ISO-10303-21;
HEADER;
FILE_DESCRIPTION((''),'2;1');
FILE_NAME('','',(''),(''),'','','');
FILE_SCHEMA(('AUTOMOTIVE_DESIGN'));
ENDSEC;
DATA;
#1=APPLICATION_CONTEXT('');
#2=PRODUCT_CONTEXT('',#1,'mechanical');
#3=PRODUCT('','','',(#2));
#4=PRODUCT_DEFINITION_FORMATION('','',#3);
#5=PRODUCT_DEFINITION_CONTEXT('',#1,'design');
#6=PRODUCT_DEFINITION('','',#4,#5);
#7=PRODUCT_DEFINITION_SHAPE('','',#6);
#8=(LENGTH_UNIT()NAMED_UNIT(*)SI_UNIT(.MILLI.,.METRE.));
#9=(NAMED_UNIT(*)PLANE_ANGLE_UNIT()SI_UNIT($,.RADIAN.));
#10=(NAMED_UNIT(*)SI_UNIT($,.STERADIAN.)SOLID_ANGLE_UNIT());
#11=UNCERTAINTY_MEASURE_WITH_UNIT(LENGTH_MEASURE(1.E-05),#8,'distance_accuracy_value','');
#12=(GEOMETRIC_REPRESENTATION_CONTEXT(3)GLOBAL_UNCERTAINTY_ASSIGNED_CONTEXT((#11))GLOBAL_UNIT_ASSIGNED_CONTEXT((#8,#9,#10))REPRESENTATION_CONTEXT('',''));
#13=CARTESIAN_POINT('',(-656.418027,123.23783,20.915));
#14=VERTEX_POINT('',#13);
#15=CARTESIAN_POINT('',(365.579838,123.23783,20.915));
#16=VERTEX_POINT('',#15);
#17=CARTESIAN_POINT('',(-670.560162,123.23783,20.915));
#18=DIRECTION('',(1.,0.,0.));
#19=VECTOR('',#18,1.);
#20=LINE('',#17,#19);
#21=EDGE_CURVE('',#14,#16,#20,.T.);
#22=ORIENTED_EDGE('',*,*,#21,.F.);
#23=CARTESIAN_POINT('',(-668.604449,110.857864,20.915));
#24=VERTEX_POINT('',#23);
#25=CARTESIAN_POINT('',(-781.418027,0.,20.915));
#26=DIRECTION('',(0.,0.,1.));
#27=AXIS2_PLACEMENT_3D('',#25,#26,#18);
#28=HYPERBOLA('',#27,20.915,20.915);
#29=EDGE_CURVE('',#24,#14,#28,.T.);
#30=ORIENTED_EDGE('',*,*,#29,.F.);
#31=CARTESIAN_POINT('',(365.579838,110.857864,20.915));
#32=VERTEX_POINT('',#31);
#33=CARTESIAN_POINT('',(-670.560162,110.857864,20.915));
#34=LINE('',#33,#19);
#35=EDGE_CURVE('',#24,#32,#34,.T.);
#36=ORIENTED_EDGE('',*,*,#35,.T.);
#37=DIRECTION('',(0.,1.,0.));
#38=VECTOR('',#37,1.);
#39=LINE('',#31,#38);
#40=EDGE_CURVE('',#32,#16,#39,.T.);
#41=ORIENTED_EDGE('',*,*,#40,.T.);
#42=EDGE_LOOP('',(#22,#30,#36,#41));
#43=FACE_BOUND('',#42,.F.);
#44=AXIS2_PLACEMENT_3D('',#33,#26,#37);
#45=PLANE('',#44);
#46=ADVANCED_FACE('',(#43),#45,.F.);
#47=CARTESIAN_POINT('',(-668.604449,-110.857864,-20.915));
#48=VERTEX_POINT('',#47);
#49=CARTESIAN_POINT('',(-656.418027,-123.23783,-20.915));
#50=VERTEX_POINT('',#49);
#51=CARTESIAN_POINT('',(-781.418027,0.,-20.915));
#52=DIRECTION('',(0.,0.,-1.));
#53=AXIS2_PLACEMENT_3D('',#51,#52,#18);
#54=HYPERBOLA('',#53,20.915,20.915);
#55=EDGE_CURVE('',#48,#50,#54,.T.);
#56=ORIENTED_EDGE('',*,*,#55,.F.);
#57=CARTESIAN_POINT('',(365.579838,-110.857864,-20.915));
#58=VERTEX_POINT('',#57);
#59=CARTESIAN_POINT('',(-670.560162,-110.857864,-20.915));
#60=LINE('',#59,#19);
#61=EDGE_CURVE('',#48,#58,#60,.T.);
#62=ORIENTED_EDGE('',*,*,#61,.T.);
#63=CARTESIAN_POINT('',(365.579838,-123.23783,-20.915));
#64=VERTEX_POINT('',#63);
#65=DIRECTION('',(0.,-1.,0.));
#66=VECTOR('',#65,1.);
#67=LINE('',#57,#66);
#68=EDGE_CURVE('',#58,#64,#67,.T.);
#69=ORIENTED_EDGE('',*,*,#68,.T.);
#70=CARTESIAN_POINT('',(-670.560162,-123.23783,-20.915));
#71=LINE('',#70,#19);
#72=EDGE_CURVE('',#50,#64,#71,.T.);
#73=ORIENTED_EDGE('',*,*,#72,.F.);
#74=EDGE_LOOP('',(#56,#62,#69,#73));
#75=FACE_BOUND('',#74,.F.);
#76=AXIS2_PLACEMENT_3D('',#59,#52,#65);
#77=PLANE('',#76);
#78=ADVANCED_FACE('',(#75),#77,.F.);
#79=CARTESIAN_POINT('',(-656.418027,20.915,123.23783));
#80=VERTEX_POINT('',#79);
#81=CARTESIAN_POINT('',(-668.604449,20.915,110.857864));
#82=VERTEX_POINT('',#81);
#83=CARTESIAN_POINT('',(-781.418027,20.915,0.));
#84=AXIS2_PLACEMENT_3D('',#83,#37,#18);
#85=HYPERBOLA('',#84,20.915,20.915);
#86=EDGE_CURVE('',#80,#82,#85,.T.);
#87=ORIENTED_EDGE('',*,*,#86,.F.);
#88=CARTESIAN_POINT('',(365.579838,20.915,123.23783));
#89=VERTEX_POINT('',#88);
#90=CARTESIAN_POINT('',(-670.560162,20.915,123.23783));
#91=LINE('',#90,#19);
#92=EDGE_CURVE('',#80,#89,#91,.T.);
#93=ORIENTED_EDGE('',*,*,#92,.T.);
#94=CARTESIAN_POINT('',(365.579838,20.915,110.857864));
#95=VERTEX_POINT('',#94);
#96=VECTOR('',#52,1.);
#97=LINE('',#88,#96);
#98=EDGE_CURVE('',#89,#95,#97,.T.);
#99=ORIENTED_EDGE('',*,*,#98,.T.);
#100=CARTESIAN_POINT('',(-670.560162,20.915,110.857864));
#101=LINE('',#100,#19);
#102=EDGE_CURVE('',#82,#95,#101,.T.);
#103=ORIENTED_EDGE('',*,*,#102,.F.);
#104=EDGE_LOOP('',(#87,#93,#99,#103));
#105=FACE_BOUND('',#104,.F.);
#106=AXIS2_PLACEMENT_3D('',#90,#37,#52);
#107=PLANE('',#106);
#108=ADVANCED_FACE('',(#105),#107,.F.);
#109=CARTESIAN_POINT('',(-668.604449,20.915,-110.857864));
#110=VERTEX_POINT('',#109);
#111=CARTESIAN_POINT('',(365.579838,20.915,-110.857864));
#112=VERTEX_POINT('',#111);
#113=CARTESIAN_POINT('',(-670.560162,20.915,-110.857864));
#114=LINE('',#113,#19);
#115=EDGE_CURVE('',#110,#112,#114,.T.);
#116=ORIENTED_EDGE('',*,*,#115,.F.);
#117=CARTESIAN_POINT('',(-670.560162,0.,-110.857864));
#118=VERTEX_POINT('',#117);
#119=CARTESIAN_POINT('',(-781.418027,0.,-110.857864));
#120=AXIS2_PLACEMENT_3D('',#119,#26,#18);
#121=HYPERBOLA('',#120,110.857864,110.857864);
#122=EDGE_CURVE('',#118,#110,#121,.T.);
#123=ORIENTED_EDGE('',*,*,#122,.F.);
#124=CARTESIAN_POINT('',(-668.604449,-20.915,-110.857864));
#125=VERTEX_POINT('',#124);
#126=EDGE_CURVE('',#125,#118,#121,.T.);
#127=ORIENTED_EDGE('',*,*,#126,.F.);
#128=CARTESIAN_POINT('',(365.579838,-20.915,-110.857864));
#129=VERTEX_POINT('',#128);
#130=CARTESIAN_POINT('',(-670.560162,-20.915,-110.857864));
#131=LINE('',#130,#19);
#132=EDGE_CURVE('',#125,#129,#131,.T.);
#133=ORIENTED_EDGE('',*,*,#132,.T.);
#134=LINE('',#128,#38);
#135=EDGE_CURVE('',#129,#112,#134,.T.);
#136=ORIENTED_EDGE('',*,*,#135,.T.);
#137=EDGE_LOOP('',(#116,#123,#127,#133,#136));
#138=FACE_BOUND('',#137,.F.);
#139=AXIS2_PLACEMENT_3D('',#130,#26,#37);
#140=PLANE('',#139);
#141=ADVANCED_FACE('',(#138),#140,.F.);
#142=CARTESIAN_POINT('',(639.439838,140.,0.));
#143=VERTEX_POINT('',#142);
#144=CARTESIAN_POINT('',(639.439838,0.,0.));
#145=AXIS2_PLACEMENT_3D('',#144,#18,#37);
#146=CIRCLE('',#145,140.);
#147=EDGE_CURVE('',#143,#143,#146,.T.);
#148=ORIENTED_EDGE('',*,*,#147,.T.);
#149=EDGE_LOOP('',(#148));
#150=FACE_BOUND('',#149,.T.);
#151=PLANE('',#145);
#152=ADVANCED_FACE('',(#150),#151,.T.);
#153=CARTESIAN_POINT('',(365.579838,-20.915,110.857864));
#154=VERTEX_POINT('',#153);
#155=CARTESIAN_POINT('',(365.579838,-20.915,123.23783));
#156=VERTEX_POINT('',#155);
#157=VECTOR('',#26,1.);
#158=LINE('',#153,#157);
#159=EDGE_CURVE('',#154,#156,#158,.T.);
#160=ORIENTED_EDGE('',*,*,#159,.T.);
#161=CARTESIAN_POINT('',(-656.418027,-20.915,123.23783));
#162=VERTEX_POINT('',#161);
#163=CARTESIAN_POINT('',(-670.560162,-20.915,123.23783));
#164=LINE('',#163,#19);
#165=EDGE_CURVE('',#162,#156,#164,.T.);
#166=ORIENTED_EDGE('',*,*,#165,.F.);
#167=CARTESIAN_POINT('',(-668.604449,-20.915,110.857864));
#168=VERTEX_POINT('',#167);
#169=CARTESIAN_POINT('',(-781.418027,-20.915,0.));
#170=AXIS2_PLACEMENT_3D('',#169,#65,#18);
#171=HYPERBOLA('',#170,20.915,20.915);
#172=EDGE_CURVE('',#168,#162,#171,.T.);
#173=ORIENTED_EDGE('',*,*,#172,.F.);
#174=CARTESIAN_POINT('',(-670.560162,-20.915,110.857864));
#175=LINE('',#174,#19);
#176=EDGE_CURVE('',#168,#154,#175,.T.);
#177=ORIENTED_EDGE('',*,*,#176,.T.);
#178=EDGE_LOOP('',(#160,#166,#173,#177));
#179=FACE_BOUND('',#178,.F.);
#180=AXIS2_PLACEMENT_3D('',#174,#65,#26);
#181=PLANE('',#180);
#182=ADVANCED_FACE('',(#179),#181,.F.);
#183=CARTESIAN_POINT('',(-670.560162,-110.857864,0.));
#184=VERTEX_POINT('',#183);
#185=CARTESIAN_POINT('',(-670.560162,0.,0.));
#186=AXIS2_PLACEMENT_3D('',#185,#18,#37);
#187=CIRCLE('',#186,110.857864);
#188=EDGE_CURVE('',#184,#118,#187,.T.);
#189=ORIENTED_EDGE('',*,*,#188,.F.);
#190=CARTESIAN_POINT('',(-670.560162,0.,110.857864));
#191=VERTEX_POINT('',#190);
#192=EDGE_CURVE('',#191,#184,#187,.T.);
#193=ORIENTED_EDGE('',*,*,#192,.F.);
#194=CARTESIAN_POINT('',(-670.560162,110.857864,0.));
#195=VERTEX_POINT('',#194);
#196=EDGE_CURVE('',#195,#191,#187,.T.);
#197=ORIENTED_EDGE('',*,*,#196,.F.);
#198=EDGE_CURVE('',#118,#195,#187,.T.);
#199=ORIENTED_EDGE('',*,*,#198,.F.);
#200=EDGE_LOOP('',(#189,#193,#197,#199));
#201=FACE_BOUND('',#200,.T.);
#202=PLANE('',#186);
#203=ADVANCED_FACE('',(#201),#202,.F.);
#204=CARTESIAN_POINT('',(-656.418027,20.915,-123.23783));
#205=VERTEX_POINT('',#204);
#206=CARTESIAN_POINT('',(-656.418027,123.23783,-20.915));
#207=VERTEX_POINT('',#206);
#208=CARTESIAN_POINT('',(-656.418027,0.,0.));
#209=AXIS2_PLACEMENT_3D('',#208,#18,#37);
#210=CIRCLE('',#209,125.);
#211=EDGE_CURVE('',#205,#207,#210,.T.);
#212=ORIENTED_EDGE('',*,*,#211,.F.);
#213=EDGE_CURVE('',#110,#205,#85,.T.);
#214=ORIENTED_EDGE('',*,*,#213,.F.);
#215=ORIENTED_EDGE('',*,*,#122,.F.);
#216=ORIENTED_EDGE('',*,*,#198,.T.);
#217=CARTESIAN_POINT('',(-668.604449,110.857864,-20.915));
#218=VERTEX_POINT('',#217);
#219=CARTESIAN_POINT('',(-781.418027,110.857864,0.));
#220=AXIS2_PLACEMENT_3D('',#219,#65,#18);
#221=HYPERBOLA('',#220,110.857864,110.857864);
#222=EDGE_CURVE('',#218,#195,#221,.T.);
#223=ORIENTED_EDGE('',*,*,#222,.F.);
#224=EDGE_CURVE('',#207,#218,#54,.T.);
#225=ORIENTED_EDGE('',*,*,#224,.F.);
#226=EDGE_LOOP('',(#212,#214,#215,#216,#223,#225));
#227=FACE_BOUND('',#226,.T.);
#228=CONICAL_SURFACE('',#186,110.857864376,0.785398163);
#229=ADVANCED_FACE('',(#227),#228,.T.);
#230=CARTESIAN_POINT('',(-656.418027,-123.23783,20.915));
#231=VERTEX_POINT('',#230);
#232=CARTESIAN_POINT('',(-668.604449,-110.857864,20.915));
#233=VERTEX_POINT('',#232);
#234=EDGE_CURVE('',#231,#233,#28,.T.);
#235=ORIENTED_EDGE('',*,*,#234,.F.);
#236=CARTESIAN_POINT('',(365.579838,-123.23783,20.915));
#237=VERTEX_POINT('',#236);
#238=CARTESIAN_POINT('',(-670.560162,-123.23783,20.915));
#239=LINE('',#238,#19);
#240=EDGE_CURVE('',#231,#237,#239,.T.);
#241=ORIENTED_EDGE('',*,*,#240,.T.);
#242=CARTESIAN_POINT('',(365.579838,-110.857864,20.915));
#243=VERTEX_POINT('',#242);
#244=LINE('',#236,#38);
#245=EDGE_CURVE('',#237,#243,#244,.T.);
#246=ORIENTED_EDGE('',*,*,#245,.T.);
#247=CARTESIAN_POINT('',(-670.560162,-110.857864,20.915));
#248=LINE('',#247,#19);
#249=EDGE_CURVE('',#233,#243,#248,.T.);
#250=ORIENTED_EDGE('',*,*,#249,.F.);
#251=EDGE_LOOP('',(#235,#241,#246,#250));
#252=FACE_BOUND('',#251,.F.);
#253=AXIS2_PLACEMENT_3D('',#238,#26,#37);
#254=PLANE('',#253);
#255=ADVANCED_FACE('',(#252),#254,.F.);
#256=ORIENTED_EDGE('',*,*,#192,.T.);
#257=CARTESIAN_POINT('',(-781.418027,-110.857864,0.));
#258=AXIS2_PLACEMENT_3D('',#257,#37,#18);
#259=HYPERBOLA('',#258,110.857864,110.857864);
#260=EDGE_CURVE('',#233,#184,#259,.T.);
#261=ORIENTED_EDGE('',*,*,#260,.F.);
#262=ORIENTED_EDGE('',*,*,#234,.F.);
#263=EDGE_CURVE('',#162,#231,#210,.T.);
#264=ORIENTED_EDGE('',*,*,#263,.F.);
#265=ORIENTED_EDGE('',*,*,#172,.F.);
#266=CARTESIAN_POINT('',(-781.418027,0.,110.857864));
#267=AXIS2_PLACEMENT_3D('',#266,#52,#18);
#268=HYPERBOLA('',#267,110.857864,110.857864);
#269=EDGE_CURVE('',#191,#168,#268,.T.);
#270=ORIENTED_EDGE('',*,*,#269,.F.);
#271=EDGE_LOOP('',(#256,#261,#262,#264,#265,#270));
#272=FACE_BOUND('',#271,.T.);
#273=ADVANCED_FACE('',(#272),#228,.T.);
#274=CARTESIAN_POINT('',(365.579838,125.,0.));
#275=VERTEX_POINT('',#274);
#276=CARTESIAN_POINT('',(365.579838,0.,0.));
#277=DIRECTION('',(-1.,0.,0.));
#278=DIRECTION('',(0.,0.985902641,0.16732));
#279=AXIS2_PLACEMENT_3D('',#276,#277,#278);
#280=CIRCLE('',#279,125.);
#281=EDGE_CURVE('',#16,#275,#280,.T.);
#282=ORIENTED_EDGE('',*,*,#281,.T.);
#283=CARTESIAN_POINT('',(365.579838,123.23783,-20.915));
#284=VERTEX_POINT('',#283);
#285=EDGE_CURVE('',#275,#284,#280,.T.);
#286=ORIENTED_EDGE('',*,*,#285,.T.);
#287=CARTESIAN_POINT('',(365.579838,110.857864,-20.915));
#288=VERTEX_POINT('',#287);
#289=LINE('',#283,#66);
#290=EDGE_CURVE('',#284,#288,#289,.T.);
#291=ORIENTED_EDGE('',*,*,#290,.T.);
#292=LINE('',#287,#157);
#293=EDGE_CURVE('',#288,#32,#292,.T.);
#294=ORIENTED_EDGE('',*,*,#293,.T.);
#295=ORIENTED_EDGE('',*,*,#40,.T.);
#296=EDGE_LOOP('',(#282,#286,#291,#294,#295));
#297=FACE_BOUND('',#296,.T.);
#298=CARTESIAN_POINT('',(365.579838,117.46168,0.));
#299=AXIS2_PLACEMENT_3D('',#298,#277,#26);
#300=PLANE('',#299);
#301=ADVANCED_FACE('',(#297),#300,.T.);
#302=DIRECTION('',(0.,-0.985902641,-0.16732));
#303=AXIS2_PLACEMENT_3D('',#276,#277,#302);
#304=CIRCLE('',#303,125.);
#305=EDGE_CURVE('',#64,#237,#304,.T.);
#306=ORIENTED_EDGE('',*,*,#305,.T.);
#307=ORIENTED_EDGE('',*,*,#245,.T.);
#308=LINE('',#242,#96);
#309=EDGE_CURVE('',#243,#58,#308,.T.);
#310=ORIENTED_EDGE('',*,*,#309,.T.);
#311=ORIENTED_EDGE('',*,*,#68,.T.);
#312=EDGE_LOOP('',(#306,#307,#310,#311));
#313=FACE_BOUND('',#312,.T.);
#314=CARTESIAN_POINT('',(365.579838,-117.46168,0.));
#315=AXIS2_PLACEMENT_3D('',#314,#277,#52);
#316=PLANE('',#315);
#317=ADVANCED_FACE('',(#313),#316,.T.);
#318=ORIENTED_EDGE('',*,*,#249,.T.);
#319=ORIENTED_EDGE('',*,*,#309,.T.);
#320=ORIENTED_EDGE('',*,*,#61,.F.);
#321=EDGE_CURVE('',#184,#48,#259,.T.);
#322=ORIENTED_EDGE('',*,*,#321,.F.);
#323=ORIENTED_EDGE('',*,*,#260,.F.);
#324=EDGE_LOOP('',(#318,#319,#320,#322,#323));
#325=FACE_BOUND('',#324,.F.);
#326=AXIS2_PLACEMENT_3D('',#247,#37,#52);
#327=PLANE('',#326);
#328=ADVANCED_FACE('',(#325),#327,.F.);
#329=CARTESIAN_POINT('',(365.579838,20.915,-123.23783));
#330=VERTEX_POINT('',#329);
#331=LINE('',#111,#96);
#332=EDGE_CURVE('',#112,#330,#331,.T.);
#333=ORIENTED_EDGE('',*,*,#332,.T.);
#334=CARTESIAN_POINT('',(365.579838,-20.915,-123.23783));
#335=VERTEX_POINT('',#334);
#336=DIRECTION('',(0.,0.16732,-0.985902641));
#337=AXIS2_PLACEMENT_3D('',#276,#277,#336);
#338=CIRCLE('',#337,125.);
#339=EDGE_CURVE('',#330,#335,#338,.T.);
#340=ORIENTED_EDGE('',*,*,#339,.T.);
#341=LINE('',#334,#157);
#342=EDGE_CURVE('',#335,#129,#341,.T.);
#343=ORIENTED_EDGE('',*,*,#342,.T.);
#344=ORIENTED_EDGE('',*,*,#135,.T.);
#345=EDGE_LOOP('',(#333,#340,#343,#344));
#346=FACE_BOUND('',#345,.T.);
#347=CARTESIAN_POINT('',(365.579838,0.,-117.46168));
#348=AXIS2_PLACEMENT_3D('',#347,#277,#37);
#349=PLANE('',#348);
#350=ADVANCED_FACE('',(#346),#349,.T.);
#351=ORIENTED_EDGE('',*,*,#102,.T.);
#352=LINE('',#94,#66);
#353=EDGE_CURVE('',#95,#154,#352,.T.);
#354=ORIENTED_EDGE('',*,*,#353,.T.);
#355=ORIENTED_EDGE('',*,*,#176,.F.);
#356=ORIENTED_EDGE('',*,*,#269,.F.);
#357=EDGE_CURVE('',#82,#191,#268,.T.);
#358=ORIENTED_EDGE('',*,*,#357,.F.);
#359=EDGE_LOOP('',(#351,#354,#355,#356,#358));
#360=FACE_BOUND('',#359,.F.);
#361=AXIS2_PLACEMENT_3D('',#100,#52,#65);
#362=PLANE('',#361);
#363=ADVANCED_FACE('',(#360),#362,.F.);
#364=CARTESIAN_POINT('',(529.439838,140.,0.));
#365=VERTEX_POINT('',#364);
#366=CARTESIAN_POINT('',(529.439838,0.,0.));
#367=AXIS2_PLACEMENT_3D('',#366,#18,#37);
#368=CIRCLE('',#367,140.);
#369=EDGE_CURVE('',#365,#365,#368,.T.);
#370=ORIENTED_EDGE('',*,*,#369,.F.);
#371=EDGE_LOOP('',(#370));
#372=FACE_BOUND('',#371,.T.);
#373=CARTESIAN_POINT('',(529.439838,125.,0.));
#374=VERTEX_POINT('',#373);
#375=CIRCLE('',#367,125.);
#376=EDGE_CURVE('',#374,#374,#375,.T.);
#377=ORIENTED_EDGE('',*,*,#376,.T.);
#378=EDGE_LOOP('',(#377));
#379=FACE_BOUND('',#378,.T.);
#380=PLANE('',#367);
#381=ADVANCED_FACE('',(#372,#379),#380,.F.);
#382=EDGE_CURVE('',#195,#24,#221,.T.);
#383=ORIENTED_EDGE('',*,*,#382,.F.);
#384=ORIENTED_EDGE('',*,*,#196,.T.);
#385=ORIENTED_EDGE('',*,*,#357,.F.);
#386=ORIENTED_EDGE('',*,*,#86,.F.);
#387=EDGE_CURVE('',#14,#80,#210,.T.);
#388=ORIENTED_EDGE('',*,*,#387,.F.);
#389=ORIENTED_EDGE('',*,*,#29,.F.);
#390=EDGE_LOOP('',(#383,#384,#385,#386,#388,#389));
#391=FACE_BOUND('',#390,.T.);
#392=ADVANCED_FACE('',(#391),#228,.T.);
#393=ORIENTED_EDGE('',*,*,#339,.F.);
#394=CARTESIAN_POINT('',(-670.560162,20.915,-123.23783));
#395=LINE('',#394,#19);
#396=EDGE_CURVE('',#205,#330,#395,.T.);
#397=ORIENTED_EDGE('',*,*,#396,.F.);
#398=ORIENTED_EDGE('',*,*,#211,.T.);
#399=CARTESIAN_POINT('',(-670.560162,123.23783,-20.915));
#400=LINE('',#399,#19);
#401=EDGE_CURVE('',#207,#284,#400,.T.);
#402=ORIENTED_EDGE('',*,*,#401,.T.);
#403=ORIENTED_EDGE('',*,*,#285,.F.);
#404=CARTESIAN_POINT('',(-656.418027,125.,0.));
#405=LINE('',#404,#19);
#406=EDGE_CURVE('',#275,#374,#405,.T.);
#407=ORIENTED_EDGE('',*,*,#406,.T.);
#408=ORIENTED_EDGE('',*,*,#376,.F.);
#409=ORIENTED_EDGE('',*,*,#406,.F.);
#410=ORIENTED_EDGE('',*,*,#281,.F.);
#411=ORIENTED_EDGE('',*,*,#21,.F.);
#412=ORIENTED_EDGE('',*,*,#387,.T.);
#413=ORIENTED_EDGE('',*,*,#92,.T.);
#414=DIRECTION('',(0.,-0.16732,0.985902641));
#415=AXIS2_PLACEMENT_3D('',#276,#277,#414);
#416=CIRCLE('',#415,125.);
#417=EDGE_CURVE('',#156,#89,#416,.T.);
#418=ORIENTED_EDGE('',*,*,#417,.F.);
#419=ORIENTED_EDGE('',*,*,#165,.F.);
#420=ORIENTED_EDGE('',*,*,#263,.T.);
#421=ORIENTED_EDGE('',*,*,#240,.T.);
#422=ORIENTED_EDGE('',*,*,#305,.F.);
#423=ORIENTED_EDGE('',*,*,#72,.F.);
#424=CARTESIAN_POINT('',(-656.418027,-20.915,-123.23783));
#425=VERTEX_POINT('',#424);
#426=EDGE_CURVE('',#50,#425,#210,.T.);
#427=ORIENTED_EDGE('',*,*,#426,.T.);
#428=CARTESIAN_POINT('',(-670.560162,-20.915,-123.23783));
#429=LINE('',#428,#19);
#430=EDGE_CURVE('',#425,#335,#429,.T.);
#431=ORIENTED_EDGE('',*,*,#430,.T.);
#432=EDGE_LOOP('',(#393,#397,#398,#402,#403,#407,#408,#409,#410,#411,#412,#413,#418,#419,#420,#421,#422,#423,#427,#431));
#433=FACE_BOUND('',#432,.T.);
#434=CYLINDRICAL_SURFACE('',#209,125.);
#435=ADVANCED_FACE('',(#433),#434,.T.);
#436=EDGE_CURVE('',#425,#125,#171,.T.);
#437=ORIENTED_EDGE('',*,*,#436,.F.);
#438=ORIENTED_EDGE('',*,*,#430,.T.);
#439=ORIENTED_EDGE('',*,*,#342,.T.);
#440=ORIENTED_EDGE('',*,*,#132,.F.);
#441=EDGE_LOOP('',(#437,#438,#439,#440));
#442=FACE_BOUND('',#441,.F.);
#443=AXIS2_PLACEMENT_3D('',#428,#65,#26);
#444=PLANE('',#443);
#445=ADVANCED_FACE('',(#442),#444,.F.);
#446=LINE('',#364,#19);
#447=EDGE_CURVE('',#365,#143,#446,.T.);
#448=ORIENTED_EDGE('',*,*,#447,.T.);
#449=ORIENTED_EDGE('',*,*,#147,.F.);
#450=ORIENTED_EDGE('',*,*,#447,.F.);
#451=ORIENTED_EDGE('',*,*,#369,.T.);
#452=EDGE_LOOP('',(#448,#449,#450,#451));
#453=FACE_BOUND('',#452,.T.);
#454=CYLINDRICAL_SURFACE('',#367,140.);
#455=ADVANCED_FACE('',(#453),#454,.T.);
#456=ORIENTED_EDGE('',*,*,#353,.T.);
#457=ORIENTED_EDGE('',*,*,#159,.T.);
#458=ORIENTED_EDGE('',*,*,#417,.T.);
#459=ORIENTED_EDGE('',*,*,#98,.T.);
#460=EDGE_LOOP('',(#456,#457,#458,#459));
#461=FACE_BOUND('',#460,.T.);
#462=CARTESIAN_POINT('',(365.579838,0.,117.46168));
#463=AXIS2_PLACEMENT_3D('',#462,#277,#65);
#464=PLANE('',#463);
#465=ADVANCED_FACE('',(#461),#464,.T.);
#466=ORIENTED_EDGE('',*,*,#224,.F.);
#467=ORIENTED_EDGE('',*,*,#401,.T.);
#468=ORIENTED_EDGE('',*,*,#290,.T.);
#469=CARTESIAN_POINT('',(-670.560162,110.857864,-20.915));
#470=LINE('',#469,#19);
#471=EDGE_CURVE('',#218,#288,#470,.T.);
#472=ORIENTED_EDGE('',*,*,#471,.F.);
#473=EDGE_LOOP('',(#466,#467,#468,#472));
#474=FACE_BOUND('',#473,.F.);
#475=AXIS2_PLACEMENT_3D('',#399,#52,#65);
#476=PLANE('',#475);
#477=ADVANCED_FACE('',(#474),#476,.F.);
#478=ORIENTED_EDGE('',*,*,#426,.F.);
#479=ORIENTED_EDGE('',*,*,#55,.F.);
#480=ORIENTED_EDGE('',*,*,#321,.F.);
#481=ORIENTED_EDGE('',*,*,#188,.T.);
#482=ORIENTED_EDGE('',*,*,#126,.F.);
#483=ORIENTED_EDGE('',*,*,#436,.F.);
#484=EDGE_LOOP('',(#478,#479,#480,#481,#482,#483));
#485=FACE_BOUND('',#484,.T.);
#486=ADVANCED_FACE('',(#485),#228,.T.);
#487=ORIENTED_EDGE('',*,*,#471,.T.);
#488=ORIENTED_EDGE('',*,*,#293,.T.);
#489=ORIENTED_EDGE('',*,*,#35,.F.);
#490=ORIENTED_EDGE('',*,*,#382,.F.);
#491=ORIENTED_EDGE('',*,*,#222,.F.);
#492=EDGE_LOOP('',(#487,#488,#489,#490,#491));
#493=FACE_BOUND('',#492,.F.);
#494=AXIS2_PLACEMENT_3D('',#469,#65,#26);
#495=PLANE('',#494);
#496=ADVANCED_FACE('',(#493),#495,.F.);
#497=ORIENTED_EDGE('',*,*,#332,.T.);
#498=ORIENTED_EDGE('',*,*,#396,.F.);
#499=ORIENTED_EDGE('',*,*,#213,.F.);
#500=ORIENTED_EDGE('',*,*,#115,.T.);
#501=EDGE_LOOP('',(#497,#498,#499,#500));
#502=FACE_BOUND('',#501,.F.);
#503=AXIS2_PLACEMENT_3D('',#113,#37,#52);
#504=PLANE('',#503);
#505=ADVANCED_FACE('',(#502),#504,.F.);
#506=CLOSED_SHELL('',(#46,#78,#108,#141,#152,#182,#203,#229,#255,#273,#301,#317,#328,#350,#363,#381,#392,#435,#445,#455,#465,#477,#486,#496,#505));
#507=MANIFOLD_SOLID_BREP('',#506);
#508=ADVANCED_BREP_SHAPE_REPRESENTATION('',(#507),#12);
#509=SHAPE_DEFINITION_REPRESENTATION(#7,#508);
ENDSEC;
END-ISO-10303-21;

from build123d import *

# Parameters (mm, degrees)
CUT_EXTRUDE1_DEPTH = 1036.14
CIRPATTERN1_COUNT  = 4


with BuildPart() as part:
    # Sketch1 → Revolve1 (revolve)
    with BuildSketch(Plane.XY):
        Polygon((-670.560162424, 0), (-670.560162424, 110.857864376), (-656.418026801, 125), (529.439837576, 125), (529.439837576, 140), (639.439837576, 140), (639.439837576, 0), align=None)
    revolve(axis=Axis((-815.610544749, 0, 0), (1, 0, 0)))

    # Sketch2 → Cut-Extrude1 (cut)
    with BuildSketch(Plane.ZY.offset(670.560162424)):
        with BuildLine():
            Line((-20.915, 110.857864376), (20.915, 110.857864376))
            Line((20.915, 110.857864376), (20.915, 123.237830129))
            ThreePointArc((20.915, 123.237830129), (0, 125), (-20.915, 123.237830129))
            Line((-20.915, 123.237830129), (-20.915, 110.857864376))
        make_face()
    cut_extrude1 = extrude(amount=-CUT_EXTRUDE1_DEPTH, mode=Mode.SUBTRACT)

    # CirPattern1: Cut-Extrude1 ×4 about axis
    cirpattern1_axis = Axis((0, 0, 0), (1, 0, 0))
    for i in range(1, CIRPATTERN1_COUNT):
        add(cut_extrude1.rotate(cirpattern1_axis, i * 360 / CIRPATTERN1_COUNT), mode=Mode.SUBTRACT)


solid = part.part
